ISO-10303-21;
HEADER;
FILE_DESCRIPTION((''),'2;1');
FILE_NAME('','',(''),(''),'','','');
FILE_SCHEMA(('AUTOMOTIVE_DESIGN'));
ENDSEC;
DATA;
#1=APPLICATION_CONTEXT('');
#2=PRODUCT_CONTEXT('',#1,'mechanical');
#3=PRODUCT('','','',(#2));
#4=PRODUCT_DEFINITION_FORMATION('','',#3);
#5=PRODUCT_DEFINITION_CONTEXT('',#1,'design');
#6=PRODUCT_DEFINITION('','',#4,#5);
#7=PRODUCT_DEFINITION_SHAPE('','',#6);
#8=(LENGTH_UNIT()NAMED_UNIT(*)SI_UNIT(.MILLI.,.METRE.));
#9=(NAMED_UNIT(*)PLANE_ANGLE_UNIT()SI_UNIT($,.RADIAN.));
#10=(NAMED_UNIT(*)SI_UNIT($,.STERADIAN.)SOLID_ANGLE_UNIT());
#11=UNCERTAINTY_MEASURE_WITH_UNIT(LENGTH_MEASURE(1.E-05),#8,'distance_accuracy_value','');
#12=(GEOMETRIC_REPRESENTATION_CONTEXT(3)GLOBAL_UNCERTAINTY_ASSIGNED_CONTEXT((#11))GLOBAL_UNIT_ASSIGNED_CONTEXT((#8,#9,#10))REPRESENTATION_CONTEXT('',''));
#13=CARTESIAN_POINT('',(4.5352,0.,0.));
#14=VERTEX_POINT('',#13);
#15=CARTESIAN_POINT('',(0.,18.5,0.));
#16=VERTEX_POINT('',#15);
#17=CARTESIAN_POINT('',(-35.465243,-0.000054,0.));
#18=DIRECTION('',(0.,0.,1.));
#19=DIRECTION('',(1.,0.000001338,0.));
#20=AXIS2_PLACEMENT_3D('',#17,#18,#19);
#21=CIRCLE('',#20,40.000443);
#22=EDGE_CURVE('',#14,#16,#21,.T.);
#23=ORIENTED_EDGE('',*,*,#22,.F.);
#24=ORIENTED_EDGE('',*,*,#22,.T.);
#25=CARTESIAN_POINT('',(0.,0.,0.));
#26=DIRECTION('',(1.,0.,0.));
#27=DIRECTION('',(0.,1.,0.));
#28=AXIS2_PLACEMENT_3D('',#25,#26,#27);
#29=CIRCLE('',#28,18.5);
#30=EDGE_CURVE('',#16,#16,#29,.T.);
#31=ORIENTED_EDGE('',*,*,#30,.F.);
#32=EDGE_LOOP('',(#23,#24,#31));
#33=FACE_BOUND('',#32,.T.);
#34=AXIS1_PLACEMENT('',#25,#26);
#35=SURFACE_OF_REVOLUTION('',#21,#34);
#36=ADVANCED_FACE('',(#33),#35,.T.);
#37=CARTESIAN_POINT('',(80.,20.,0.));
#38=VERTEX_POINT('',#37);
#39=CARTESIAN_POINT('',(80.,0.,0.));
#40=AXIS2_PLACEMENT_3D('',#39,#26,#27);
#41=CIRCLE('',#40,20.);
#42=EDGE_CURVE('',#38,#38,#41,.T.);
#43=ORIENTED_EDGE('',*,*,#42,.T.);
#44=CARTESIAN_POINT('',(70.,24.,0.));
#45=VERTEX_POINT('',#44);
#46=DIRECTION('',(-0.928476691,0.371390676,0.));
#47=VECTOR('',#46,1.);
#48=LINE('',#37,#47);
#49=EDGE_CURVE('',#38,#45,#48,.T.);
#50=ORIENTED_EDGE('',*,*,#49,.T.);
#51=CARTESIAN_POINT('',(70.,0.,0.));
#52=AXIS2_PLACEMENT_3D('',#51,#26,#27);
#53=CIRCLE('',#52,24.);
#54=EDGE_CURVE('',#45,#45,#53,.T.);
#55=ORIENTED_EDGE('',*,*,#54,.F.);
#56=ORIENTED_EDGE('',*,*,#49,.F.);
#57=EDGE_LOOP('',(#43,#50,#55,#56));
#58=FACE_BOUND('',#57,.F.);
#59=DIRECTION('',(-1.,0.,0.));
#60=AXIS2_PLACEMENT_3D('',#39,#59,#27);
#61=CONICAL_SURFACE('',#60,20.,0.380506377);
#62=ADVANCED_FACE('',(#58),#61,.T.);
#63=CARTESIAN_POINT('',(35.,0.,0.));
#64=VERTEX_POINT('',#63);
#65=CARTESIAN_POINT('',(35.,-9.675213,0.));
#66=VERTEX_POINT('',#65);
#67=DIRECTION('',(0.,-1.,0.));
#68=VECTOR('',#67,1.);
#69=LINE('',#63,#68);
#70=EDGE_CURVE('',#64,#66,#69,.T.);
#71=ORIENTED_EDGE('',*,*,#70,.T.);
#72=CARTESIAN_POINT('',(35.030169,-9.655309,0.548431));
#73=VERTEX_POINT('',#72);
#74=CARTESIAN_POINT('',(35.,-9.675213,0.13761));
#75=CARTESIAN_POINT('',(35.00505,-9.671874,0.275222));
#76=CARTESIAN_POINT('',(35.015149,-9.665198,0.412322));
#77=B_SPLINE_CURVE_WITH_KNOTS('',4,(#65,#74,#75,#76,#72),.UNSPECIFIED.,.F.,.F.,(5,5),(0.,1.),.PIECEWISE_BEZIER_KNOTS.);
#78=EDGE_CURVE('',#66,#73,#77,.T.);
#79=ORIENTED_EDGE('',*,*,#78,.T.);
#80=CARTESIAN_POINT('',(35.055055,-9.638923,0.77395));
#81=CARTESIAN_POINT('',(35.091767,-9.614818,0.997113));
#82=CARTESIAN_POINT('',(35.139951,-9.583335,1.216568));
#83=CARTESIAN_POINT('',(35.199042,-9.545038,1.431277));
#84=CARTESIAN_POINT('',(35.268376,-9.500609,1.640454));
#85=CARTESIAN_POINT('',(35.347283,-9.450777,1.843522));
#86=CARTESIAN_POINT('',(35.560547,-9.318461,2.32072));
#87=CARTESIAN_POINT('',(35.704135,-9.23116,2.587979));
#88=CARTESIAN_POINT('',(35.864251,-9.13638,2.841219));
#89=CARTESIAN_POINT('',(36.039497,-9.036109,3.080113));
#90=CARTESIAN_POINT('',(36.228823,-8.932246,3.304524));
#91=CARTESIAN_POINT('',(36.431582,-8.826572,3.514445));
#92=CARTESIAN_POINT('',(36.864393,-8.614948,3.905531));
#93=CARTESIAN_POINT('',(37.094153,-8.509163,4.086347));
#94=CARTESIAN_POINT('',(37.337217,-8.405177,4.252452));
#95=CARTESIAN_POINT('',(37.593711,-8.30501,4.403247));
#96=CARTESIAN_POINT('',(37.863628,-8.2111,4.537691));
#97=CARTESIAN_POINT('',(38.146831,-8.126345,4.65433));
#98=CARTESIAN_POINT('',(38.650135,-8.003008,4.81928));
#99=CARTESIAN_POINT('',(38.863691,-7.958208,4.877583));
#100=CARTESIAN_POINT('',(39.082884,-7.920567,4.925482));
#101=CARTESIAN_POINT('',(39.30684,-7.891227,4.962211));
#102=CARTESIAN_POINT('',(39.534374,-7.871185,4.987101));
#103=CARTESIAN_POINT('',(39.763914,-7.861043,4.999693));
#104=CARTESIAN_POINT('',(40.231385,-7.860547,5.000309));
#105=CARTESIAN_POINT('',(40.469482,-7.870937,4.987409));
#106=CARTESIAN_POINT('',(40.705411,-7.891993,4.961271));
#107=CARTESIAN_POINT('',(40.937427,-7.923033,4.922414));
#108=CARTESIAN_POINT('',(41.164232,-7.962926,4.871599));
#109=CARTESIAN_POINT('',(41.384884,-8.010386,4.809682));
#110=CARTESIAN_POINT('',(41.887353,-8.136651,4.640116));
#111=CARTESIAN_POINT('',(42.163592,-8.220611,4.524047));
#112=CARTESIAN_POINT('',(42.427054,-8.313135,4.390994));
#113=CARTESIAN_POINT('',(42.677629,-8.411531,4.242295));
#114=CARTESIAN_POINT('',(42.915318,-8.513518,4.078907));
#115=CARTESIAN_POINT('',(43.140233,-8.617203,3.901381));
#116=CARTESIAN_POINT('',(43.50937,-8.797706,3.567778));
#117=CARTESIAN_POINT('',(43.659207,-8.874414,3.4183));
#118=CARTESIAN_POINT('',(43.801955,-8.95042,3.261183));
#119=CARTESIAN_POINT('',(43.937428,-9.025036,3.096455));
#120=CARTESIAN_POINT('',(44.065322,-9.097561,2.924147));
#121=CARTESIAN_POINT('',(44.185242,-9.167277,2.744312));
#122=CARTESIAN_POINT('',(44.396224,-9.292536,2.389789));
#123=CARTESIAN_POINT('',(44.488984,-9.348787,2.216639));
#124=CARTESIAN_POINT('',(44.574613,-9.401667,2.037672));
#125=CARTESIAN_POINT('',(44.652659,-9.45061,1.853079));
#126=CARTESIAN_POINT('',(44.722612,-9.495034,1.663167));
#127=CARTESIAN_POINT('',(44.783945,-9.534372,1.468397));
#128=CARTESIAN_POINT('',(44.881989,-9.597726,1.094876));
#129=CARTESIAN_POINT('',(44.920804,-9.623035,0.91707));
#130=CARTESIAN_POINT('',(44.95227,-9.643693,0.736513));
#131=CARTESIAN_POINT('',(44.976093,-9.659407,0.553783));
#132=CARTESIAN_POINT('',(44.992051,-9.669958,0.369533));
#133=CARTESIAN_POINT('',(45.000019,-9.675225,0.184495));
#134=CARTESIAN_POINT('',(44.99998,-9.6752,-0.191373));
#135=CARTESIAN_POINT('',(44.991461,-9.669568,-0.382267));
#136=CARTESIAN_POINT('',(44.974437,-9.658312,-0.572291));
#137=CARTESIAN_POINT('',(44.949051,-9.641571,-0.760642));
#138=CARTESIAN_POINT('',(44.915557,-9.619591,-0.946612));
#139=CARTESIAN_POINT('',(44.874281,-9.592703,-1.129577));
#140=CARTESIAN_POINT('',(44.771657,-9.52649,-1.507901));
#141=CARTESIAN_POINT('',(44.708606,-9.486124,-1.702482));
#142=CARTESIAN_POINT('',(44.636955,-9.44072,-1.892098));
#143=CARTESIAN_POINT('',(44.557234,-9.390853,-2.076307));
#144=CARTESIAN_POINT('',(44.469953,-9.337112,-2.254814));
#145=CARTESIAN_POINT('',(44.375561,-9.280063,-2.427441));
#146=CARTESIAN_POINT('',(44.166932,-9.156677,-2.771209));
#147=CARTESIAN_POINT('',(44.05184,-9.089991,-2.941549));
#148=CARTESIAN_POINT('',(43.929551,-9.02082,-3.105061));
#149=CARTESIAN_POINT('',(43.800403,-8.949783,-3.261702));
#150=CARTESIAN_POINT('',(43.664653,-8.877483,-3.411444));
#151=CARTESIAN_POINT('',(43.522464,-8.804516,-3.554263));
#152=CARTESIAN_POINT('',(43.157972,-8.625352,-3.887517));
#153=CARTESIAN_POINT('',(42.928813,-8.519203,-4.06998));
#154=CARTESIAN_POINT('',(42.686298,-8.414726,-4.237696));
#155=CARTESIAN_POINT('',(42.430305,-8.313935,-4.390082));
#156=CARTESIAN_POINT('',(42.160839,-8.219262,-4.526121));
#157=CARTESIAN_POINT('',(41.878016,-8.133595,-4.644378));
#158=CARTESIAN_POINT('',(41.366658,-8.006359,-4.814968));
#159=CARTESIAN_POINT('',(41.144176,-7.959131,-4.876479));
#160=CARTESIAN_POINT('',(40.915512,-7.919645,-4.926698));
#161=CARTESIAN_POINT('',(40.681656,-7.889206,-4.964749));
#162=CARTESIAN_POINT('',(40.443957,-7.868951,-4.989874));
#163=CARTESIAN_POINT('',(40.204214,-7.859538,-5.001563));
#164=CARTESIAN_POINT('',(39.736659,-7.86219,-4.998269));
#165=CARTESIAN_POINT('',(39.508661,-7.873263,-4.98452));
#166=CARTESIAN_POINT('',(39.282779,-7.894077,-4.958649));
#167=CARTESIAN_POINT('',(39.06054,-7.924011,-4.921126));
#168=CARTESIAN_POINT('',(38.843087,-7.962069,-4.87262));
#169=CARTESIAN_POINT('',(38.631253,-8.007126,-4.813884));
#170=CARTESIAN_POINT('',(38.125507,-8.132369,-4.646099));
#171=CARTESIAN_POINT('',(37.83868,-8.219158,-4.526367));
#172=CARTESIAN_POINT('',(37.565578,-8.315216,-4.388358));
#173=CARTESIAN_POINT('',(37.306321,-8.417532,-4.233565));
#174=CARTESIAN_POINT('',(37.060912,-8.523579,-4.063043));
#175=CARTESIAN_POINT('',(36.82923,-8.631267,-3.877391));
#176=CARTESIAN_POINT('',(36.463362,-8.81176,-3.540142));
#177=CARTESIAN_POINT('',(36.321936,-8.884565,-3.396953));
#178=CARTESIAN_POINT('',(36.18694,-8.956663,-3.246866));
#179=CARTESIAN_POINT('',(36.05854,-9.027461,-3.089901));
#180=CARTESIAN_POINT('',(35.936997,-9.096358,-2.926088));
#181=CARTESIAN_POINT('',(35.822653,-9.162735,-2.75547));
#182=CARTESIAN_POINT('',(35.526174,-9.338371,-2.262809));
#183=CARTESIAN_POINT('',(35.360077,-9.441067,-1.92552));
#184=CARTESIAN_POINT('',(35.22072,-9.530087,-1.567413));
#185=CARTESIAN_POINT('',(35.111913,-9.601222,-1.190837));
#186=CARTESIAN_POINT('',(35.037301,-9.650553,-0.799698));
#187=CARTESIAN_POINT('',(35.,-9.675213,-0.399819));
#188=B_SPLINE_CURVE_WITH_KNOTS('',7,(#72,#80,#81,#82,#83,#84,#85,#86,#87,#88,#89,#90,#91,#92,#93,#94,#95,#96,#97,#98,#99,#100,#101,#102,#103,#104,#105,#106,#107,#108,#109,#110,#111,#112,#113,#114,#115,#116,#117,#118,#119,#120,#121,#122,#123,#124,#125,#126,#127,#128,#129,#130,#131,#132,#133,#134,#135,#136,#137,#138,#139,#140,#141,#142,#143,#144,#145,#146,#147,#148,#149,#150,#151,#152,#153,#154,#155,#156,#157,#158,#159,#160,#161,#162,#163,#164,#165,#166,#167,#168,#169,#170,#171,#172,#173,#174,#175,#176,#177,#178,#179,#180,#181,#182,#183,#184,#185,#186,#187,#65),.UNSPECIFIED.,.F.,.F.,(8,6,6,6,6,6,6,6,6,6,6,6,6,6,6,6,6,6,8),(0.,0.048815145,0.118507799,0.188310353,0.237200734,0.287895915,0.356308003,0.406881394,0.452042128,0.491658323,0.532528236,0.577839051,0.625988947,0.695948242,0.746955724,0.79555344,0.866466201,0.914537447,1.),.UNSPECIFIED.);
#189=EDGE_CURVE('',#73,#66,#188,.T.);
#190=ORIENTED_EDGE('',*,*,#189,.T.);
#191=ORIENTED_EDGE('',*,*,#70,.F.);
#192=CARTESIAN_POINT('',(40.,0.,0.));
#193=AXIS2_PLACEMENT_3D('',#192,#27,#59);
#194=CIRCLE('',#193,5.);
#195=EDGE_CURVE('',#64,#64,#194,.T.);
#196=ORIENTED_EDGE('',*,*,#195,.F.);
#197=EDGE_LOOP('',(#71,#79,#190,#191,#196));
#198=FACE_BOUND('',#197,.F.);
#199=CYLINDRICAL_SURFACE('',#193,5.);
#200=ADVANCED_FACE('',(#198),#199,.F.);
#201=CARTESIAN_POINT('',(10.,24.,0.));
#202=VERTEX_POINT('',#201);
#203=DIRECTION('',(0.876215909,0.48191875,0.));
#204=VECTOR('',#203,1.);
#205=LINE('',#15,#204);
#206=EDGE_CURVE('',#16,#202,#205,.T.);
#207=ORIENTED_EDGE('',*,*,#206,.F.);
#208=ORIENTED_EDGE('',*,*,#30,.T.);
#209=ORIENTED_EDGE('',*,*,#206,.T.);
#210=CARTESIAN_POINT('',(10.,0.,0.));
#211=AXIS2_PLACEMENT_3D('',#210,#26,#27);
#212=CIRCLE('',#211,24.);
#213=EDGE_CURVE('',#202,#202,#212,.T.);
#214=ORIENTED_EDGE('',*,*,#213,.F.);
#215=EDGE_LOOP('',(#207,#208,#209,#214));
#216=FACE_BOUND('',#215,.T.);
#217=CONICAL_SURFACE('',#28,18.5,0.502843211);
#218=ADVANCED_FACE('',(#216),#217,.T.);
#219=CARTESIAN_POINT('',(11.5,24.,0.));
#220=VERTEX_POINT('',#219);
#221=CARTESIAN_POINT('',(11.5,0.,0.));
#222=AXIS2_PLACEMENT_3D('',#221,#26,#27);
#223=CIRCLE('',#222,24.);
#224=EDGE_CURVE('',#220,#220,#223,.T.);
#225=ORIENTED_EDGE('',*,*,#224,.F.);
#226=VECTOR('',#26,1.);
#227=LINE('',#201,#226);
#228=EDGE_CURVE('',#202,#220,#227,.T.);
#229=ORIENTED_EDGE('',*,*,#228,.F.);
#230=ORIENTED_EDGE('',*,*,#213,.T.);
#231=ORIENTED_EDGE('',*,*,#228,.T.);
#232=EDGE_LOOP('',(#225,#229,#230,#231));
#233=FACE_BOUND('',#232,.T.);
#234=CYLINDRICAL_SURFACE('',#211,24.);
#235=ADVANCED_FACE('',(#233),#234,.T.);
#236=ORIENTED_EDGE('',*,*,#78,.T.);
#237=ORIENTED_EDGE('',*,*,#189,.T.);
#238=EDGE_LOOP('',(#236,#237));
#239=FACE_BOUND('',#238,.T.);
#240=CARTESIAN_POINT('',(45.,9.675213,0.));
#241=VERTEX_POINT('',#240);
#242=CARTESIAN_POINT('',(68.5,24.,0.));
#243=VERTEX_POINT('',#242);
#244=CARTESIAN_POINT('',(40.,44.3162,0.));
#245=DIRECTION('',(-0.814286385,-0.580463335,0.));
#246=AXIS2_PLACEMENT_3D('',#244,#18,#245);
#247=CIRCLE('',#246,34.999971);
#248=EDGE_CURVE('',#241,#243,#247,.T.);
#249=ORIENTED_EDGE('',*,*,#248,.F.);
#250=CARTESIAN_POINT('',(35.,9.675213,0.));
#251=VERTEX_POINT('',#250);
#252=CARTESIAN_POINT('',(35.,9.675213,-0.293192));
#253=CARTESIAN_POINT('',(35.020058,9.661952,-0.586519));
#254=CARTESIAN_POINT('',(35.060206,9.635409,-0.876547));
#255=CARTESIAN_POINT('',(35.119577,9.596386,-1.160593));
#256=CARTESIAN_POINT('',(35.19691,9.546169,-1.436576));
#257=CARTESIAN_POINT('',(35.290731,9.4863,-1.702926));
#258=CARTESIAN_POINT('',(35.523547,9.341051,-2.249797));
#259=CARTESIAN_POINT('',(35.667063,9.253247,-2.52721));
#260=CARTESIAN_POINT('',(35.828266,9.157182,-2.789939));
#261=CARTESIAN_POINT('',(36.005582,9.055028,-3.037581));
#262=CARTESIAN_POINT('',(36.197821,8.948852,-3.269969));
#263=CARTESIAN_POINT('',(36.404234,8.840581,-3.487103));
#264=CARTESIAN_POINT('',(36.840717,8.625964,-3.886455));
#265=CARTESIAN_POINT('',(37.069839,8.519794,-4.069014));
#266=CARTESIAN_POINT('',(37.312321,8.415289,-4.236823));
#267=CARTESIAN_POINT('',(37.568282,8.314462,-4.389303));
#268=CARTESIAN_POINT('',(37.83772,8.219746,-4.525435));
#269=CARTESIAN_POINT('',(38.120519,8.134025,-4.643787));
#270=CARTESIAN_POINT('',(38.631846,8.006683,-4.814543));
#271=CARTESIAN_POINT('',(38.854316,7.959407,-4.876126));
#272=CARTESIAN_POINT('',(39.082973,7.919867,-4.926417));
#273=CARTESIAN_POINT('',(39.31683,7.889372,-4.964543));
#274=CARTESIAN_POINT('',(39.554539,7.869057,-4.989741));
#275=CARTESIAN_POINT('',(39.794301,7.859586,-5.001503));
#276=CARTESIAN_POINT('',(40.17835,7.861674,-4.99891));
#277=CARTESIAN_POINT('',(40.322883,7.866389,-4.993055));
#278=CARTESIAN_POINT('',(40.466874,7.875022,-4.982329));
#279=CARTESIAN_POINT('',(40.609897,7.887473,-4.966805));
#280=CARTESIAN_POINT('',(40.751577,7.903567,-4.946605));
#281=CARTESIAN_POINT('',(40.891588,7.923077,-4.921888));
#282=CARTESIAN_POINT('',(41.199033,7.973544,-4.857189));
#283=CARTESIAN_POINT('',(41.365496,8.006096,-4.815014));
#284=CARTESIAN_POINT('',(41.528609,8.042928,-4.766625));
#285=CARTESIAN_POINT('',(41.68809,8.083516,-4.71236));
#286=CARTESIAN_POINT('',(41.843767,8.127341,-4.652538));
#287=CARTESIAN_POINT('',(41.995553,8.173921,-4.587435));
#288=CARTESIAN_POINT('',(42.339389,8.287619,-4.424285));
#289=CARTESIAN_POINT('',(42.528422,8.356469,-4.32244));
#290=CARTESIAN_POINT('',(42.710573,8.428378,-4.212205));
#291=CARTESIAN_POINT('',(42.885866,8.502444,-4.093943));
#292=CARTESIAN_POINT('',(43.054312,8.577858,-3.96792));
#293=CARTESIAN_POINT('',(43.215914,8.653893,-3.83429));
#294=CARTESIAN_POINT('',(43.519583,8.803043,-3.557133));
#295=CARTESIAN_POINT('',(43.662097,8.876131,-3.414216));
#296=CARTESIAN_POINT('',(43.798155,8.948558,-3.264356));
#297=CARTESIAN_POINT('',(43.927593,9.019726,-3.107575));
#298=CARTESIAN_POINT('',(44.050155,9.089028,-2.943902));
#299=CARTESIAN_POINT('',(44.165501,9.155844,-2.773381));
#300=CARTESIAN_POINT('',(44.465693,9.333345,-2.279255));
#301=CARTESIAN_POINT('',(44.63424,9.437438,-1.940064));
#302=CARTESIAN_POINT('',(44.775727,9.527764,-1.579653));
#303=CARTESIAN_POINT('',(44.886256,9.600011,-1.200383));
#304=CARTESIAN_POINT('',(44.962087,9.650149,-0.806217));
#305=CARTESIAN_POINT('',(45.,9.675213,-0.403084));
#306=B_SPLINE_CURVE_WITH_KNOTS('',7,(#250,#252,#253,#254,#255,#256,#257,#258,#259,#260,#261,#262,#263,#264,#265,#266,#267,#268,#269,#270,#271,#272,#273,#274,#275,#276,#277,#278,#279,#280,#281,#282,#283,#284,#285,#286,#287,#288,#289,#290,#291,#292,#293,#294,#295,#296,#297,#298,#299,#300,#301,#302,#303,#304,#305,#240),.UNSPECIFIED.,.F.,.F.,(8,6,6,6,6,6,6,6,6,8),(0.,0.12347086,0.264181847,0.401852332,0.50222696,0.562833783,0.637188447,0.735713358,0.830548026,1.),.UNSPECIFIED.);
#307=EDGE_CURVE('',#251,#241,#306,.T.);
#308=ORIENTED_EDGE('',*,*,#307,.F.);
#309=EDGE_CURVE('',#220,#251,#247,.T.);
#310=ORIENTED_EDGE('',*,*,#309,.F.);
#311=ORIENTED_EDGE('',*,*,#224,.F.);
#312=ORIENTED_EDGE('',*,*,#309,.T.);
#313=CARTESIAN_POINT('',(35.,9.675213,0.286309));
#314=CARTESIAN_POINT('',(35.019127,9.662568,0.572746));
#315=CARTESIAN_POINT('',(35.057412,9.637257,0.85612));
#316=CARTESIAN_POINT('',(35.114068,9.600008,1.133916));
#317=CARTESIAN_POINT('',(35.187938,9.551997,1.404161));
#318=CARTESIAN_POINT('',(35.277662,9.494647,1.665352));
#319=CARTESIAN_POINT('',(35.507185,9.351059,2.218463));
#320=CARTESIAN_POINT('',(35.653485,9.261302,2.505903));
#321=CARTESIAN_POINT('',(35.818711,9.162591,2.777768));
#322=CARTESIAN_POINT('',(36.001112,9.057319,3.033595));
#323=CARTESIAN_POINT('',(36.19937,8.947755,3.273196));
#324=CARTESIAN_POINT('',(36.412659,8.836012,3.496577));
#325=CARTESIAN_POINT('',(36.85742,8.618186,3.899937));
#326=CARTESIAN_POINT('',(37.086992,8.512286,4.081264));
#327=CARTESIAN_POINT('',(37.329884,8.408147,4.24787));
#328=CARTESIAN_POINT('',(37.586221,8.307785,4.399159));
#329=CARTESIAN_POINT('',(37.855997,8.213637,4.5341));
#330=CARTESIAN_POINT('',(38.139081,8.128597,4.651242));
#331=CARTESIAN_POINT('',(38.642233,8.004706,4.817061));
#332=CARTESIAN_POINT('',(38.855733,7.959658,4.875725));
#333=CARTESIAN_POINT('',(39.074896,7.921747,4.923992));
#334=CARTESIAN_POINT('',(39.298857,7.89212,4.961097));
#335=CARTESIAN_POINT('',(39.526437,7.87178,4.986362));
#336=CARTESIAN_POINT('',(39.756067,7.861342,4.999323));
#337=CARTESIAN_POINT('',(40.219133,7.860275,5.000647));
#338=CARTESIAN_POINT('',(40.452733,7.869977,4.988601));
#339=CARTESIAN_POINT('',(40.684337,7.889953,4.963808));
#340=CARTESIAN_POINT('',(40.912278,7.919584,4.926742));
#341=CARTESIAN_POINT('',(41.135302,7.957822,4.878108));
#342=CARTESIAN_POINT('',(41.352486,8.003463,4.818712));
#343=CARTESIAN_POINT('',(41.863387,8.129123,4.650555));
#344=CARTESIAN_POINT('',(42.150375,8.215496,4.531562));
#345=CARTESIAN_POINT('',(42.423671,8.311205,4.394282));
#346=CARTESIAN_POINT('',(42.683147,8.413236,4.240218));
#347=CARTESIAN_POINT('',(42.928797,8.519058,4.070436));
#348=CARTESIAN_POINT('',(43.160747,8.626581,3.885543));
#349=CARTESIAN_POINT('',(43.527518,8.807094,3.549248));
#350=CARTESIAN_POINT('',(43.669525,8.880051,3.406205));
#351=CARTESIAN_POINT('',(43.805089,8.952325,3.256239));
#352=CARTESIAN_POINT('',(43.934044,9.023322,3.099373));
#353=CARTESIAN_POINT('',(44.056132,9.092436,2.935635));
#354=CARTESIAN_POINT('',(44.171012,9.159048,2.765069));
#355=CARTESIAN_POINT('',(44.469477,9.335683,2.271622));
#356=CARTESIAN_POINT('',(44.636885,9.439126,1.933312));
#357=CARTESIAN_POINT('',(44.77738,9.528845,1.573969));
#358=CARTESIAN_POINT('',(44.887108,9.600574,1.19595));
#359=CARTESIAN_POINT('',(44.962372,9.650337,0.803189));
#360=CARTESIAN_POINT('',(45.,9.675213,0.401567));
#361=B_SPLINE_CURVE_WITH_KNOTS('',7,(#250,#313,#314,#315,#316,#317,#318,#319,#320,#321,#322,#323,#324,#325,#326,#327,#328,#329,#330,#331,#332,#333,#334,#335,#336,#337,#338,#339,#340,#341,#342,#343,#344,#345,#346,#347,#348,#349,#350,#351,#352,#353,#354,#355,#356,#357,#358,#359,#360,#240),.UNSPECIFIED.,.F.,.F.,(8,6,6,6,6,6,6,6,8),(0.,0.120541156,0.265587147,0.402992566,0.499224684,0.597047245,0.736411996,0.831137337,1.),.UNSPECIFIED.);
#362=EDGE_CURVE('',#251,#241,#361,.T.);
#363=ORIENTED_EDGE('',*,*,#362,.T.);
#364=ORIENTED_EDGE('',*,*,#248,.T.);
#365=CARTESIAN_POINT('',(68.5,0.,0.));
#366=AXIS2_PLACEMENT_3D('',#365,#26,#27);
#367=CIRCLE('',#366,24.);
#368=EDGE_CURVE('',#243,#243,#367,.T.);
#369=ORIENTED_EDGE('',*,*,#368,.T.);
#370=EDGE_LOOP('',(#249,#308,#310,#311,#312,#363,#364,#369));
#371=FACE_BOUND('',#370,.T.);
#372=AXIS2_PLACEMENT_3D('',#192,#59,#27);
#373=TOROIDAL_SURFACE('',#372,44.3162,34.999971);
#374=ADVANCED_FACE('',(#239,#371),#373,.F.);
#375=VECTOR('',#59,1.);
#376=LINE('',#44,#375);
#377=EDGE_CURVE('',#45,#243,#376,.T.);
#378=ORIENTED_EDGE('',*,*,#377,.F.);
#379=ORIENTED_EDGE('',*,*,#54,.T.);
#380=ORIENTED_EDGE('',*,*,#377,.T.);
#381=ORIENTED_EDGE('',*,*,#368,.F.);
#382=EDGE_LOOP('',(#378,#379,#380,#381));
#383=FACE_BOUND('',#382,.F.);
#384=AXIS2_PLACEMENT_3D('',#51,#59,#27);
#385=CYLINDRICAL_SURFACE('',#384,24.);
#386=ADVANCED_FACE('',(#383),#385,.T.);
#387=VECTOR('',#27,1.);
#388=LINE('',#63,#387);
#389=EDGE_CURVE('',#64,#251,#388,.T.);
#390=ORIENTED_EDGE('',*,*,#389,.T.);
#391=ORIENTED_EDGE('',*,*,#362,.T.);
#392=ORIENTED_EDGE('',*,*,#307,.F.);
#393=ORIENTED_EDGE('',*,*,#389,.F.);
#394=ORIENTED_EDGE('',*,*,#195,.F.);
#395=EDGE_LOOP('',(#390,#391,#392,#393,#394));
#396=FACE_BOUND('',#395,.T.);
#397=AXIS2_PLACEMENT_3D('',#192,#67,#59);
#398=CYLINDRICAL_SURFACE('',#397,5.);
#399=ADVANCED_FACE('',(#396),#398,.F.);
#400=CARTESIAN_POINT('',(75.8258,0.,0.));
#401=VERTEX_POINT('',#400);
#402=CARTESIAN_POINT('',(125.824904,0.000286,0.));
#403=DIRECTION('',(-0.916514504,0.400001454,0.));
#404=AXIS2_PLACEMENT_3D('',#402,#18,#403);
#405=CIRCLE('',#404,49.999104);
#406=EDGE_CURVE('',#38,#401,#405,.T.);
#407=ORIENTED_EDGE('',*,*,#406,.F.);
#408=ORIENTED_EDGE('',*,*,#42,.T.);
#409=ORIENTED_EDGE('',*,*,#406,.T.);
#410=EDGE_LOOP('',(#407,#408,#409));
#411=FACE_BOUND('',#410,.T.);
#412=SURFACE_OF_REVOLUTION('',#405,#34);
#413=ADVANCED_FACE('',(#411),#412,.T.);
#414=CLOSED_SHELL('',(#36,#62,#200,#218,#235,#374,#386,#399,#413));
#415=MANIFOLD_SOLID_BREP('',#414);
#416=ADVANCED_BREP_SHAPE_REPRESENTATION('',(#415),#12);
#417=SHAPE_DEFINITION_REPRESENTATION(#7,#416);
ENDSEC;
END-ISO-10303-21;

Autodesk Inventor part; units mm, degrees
ref_plane "YZ Plane" through (0, 0, 0) normal (1, 0, 0) x (0, 1, 0)
ref_plane "XZ Plane" through (0, 0, 0) normal (0, 1, 0) x (-1, 0, 0)
ref_plane "XY Plane" through (0, 0, 0) normal (0, 0, 1) x (1, 0, 0)
sketch "草圖1" plane through (0, 0, 0) normal (0, 0, 1) x (1, 0, 0)
  line L0 (0, 18.5) -> (10, 24)
  line L1 (10, 24) -> (11.5, 24)
  line L2 (80, 20) -> (70, 24)
  line L3 (70, 24) -> (68.5, 24)
  line L4 (0, 0) -> (80, 0)
  arc A0 (11.5, 24) -> (68.5, 24) centre (40, 44.3162) ccw
  arc A1 (4.5352, 0) -> (0, 18.5) centre (-35.4648, 0) ccw
  arc A2 (80, 20) -> (75.8258, 0) centre (125.8258, 0) ccw
  dimension "d0" = 18.5
  dimension "d2" = 1.5
  dimension "d3" = 1.5
  dimension "d4" = 24
  dimension "d6" = 20
  dimension "d8" = 24
  dimension "d9" = 35
  dimension "d21" = 40
  dimension "d23" = 50
  dimension "d33" = 158.199
  dimension "d34" = 129.388
  dimension "d35" = 48.2808
  dimension "d36" = 16.21
  dimension "d37" = 1.5503
  dimension "d38" = 24
  dimension "d39" = 46.5964
revolve "迴轉1" add sketch "草圖1" angle 360 about axis through (0, 0, 0) along (1, 0, 0)
sketch "草圖2" plane through (0, 0, 0) normal (0, 1, 0) x (-1, 0, 0)
  circle A0 centre (-40, 0) radius 5
  point P0 (0, 0)
  dimension "d11" = 10
  dimension "d12" = 0
  dimension "d13" = 40
extrude "擠出1" cut sketch "草圖2" along normal mid plane 60
properties part number "A"
